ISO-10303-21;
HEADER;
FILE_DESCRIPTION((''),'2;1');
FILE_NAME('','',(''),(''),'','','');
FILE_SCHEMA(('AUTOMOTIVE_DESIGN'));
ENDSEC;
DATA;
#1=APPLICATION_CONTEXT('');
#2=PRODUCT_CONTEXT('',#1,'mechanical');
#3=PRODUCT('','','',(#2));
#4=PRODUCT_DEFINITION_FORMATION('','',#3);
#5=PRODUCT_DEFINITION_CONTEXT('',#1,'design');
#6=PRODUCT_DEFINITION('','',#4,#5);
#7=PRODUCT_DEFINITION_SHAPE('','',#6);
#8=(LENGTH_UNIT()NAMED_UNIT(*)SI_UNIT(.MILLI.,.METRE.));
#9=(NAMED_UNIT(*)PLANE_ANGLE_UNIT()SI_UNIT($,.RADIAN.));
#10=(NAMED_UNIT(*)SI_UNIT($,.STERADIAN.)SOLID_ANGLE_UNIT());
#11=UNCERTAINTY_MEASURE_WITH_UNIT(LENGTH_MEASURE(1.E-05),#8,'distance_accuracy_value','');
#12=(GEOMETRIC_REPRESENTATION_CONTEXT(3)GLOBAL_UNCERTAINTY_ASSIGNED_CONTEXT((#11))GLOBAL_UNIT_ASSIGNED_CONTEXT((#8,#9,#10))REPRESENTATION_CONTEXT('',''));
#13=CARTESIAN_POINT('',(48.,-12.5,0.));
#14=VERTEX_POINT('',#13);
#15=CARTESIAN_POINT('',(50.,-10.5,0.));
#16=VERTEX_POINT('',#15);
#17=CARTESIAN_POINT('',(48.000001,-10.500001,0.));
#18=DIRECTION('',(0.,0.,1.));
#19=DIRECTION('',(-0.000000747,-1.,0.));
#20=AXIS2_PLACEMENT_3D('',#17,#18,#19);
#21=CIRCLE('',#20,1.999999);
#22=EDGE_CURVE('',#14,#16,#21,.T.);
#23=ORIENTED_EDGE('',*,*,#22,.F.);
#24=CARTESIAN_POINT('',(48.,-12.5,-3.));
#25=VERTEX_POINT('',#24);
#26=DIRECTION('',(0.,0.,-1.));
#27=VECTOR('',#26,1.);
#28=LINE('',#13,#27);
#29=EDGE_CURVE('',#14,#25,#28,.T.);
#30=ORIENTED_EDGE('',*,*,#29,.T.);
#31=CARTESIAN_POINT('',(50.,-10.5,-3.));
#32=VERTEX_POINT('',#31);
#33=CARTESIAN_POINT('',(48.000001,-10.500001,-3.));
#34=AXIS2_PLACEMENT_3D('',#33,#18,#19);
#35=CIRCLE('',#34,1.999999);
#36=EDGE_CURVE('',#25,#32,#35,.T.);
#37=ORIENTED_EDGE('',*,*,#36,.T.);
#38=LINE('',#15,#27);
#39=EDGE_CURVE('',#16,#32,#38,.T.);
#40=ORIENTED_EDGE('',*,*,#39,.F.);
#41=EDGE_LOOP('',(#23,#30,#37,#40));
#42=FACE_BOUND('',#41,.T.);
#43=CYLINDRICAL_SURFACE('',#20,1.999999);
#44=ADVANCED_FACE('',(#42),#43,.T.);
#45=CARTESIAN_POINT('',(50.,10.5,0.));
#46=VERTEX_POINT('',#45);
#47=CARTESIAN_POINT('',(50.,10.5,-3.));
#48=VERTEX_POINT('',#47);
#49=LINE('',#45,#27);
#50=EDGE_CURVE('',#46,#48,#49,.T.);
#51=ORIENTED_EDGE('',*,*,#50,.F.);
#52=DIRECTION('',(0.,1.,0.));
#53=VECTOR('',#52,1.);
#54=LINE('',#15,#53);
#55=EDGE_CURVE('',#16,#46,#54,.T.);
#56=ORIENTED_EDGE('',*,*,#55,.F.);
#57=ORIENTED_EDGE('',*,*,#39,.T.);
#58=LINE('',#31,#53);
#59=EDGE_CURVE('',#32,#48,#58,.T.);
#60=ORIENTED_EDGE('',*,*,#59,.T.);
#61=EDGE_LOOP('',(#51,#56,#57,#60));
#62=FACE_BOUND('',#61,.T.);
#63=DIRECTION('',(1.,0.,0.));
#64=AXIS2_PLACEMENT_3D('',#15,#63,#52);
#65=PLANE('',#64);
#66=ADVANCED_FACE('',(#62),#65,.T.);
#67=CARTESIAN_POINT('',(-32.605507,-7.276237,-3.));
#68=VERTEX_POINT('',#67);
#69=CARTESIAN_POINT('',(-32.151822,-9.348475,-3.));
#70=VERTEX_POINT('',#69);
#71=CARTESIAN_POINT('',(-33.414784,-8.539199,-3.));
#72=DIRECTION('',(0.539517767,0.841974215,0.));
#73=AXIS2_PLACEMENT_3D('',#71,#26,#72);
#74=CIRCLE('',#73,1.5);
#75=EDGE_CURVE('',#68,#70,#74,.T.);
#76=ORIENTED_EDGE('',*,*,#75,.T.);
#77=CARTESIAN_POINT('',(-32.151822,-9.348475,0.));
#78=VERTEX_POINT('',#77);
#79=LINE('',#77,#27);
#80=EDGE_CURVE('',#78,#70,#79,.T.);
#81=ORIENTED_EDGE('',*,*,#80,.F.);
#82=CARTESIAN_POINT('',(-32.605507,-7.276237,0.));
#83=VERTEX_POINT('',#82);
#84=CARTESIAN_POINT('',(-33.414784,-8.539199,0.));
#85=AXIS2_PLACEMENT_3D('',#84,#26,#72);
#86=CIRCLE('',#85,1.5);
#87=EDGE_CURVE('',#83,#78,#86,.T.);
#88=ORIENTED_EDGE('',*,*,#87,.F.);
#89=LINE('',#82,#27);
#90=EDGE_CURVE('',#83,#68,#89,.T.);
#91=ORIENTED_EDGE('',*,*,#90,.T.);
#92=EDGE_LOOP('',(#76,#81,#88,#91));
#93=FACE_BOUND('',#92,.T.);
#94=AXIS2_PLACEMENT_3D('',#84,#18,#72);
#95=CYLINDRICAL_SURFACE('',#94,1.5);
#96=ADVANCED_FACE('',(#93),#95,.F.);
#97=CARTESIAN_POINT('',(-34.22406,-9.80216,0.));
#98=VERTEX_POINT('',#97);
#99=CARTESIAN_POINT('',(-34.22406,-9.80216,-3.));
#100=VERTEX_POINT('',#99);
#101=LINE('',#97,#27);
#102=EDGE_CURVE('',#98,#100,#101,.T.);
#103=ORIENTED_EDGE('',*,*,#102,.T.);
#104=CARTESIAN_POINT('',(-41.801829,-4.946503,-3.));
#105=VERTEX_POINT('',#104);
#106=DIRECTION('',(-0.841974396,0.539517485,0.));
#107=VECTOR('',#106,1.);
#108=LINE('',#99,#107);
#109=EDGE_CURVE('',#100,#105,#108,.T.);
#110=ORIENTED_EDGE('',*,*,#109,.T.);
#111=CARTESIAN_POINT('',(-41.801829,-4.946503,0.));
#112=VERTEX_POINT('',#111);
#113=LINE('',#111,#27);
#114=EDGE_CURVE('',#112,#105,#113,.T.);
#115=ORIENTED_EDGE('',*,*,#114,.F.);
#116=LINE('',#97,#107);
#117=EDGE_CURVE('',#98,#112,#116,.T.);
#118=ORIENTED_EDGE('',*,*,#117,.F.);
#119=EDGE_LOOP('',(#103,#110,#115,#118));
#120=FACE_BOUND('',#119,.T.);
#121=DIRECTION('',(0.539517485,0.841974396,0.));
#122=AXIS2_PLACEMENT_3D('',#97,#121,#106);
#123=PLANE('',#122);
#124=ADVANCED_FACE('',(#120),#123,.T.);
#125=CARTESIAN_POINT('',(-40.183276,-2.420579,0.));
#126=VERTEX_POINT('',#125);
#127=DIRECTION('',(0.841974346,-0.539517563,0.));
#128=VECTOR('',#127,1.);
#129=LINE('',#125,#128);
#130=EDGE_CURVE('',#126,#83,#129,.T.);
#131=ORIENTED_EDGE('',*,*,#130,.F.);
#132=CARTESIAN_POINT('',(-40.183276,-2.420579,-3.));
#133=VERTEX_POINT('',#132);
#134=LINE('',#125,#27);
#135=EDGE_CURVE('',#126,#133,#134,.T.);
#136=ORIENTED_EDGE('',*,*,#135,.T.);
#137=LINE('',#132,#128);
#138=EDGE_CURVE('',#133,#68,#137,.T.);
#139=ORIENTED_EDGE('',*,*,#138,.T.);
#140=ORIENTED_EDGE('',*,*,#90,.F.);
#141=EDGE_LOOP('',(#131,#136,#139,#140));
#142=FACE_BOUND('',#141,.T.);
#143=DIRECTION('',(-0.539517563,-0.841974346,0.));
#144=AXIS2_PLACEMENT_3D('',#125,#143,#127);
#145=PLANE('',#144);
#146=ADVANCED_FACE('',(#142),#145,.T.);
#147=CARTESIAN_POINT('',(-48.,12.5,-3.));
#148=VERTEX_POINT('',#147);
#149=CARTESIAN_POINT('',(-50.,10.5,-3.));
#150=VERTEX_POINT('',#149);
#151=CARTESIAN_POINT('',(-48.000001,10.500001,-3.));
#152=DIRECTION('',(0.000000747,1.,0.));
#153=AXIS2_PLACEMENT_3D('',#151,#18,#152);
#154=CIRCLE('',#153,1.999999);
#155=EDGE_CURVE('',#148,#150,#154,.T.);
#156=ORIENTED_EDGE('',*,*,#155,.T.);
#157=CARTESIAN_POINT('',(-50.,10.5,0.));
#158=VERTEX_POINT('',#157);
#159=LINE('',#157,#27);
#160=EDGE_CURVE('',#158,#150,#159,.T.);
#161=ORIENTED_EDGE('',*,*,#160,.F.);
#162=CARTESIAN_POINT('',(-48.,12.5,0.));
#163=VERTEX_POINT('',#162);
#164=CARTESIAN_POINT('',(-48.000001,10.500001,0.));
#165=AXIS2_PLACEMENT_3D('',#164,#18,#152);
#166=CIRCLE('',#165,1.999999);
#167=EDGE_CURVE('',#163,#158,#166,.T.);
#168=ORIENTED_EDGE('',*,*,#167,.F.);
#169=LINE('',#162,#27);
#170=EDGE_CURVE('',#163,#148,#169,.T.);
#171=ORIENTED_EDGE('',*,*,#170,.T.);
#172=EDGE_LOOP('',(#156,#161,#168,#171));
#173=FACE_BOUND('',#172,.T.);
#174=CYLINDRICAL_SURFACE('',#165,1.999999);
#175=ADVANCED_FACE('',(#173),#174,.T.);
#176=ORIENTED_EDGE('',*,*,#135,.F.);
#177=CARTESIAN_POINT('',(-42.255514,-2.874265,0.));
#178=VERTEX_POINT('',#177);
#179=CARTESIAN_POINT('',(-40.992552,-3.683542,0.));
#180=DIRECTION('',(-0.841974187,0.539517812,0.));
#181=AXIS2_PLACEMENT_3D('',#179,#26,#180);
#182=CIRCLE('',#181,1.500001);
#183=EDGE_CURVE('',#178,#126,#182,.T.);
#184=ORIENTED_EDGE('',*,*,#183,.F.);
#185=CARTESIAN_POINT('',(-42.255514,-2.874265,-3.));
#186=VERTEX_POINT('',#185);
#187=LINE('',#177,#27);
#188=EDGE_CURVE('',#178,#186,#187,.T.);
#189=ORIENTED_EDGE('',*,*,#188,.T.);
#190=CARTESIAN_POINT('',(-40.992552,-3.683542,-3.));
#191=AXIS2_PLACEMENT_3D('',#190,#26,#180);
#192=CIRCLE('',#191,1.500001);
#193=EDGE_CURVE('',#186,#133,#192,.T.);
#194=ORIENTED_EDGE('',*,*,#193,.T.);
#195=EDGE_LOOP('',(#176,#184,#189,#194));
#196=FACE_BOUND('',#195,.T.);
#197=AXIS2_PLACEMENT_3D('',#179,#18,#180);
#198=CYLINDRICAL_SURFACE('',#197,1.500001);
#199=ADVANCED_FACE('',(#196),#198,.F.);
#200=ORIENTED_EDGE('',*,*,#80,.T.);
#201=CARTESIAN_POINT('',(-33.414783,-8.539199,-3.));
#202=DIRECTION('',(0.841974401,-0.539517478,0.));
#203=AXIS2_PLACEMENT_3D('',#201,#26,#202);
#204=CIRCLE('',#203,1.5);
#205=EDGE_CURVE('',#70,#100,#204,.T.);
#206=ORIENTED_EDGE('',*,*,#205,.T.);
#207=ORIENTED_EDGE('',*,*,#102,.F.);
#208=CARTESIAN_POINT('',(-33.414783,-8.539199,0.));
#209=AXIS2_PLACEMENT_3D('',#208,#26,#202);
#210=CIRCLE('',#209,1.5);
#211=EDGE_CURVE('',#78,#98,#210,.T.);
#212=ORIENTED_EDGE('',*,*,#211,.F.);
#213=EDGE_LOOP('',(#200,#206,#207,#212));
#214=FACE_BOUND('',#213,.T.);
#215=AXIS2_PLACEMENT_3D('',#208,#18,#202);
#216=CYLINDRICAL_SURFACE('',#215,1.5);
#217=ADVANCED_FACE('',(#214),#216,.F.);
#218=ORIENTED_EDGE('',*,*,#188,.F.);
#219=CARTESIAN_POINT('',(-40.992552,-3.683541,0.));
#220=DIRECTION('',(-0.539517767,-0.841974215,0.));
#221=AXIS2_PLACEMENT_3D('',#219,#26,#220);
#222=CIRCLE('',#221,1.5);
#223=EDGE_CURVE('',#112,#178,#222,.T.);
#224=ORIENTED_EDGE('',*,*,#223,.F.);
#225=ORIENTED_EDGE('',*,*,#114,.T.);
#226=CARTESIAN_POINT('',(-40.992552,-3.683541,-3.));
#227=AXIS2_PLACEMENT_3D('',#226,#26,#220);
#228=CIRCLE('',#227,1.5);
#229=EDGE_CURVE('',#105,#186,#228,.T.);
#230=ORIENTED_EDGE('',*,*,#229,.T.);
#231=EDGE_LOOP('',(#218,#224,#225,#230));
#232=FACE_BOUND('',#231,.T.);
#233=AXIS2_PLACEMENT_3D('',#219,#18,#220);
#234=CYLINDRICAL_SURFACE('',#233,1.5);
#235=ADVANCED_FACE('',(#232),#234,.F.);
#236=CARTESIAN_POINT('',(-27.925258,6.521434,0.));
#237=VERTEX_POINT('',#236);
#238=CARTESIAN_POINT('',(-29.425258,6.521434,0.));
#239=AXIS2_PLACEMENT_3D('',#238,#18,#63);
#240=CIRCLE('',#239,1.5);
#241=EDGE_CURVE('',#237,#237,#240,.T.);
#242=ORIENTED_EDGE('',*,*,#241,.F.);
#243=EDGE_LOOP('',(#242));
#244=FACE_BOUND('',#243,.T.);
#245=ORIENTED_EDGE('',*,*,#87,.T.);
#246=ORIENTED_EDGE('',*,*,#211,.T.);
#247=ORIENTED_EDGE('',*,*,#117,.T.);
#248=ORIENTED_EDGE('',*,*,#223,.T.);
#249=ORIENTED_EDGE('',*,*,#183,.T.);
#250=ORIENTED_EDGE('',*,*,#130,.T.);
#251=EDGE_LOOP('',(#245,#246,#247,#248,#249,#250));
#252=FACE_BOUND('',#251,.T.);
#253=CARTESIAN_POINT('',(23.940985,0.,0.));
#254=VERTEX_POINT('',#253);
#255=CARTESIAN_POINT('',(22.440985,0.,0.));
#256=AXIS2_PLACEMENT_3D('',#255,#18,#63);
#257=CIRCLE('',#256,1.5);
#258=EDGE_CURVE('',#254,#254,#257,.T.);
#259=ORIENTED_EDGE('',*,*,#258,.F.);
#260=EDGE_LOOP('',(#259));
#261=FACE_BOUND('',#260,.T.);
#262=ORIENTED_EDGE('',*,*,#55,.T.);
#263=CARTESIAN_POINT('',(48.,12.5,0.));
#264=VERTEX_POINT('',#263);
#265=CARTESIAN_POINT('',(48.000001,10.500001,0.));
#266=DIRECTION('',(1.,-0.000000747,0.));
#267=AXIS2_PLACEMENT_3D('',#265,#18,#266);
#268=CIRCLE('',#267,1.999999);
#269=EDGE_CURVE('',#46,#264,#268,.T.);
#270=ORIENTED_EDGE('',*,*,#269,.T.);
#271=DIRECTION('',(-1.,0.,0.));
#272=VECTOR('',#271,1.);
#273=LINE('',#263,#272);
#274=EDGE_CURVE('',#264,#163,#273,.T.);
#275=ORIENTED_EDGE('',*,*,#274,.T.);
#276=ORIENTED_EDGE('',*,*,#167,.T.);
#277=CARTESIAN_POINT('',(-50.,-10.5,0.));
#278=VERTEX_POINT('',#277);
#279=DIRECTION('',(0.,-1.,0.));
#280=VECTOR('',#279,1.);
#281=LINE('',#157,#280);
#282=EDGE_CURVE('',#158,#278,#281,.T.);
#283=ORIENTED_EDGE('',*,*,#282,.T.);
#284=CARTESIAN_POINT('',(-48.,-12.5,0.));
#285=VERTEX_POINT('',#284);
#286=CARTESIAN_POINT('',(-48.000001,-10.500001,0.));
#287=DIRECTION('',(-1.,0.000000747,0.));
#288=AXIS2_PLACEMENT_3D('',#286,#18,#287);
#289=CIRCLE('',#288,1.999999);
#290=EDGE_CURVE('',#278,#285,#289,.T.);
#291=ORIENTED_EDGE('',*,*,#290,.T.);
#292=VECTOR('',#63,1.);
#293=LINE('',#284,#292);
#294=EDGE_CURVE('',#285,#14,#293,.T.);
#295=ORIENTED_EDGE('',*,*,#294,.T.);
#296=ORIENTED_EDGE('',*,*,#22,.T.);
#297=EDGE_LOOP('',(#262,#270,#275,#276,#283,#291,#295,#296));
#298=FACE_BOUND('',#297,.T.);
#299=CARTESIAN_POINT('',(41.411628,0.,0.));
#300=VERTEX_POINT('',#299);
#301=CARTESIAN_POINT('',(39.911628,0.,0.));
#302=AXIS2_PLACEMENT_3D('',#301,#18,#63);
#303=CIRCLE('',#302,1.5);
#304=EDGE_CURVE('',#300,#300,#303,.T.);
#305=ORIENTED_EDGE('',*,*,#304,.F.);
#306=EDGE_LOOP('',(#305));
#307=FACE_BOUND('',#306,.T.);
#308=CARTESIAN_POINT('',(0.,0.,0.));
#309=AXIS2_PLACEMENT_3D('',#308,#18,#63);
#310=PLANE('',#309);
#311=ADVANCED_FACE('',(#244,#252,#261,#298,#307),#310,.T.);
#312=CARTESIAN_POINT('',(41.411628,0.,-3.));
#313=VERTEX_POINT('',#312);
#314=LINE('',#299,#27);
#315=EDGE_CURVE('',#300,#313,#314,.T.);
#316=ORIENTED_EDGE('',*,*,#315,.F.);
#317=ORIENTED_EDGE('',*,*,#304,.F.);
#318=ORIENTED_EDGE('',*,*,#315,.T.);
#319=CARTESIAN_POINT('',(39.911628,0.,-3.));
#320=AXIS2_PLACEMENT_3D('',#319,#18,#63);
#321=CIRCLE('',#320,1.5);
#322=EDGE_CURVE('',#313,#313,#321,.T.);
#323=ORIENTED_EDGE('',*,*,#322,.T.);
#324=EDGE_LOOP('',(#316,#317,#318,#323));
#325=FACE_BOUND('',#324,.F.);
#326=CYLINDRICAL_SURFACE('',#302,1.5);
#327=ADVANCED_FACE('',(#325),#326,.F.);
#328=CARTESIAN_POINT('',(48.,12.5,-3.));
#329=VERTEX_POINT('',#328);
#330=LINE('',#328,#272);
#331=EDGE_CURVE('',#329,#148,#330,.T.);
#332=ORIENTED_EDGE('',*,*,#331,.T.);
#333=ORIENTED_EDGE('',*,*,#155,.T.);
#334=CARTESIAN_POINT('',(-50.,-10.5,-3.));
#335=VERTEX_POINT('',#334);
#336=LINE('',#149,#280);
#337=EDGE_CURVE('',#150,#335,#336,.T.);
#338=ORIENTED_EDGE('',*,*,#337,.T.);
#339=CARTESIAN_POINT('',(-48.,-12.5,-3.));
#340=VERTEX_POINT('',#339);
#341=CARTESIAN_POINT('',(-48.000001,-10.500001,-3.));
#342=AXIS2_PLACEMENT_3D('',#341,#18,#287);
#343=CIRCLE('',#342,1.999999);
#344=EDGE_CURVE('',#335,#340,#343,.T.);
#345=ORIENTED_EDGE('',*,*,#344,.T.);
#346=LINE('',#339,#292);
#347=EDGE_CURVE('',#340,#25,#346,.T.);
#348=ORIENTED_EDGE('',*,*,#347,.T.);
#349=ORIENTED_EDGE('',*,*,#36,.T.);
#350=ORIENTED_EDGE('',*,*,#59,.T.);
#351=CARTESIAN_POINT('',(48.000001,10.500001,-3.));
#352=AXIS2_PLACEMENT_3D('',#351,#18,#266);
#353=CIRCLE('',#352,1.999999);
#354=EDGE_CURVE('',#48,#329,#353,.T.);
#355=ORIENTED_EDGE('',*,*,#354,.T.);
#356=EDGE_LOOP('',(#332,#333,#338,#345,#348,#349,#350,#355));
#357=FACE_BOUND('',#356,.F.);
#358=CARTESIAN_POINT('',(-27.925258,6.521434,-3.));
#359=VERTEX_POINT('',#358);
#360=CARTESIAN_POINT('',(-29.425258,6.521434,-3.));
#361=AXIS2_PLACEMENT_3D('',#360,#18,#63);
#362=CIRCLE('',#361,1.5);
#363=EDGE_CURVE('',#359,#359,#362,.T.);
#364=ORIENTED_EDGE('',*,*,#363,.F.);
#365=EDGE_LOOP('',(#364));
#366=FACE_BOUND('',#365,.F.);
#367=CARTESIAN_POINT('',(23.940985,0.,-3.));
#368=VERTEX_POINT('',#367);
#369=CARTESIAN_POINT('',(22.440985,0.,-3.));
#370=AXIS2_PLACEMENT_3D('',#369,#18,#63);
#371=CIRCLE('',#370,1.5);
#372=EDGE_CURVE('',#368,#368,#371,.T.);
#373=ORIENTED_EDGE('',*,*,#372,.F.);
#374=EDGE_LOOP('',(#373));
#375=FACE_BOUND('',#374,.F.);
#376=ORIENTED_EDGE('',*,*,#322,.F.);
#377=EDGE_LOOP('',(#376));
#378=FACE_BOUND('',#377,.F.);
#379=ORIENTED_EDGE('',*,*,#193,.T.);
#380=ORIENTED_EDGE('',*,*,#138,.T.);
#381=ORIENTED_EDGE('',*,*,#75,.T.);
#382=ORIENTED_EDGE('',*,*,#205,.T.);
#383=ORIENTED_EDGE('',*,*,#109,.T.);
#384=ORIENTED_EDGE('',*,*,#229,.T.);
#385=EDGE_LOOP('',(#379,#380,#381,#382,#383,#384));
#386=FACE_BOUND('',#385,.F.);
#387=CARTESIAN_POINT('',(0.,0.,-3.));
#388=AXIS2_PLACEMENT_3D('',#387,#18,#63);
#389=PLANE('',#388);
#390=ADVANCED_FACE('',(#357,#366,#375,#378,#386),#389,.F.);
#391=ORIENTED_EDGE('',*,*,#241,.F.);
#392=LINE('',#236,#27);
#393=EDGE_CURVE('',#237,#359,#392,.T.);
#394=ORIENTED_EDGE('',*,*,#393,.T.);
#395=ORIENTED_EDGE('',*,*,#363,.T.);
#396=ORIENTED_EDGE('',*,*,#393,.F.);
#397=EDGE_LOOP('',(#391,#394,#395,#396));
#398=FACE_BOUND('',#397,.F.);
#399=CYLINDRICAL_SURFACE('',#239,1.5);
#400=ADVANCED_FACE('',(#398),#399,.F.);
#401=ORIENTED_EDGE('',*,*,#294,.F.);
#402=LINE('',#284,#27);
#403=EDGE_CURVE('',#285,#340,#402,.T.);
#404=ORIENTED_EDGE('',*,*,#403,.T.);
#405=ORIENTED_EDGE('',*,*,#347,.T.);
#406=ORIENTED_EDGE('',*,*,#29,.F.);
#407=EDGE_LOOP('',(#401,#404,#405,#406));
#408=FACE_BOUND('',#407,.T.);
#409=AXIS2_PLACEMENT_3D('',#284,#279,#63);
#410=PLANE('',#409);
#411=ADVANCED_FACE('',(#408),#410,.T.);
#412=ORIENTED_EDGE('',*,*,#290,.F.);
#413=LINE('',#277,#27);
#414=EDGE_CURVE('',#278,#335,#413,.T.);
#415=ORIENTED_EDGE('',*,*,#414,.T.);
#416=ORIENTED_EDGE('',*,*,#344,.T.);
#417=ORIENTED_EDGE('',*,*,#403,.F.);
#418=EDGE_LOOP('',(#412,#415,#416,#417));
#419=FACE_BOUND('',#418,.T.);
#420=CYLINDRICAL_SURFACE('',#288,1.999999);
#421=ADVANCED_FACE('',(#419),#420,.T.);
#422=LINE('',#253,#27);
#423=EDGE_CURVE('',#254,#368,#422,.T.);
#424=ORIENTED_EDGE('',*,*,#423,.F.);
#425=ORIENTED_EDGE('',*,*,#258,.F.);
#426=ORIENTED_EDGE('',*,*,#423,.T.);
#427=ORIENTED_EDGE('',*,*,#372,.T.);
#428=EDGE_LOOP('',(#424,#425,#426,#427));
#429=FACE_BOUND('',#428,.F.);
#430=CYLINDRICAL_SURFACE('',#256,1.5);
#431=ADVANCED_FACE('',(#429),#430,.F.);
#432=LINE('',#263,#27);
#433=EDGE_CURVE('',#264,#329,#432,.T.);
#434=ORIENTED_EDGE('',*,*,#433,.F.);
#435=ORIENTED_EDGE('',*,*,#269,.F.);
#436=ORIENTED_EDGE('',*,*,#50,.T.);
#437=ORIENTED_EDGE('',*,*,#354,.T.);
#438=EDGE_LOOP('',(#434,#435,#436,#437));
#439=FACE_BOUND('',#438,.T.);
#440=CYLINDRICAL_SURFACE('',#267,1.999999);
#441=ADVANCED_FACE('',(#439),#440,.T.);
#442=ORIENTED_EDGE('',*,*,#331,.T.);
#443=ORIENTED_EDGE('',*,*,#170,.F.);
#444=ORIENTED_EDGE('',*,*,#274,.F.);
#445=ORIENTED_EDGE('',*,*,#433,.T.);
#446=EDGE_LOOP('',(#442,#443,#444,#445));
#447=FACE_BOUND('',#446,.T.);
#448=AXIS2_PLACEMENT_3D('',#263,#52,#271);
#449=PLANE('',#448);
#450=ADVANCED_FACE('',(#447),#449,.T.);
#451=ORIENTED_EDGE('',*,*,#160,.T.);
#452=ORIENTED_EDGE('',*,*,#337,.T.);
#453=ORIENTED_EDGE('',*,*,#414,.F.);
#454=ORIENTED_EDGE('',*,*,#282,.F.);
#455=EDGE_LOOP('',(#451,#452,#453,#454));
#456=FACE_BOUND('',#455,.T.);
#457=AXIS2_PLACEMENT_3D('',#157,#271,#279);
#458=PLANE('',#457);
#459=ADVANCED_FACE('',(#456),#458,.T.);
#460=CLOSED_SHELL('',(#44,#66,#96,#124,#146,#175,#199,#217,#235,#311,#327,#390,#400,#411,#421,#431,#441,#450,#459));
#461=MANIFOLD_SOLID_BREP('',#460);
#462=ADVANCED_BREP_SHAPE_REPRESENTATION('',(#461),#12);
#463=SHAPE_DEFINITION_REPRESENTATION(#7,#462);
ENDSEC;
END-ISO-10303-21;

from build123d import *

# Parameters (mm, degrees)
F0_R     = 1.5
F1_DEPTH = 3


with BuildPart() as f1:
    # F0 (on Top) → F1 (new body)
    with BuildSketch(Plane.XY):
        with BuildLine():
            ThreePointArc((50, 10.5), (49.414214, 11.914214), (48, 12.5))
            Line((48, 12.5), (-48, 12.5))
            ThreePointArc((-48, 12.5), (-49.414214, 11.914214), (-50, 10.5))
            Line((-50, 10.5), (-50, -10.5))
            ThreePointArc((-50, -10.5), (-49.414214, -11.914214), (-48, -12.5))
            Line((-48, -12.5), (48, -12.5))
            ThreePointArc((48, -12.5), (49.414214, -11.914214), (50, -10.5))
            Line((50, -10.5), (50, 10.5))
        make_face()
        with BuildLine():
            Line((-34.22406, -9.80216), (-41.801829, -4.946503))
            ThreePointArc((-41.801829, -4.946503), (-42.457846, -4.004345), (-42.255514, -2.874265))
            ThreePointArc((-42.255514, -2.874265), (-41.313357, -2.218248), (-40.183276, -2.420579))
            Line((-40.183276, -2.420579), (-32.605507, -7.276237))
            ThreePointArc((-32.605507, -7.276237), (-31.94949, -8.218395), (-32.151822, -9.348475))
            ThreePointArc((-32.151822, -9.348475), (-33.093979, -10.004492), (-34.22406, -9.80216))
        make_face(mode=Mode.SUBTRACT)
        with Locations((-29.425258, 6.521434)):
            Circle(F0_R, mode=Mode.SUBTRACT)
        with Locations((22.440985, 0)):
            Circle(F0_R, mode=Mode.SUBTRACT)
        with Locations((39.911628, 0)):
            Circle(F0_R, mode=Mode.SUBTRACT)
    extrude(amount=-F1_DEPTH)


solid = f1.part
